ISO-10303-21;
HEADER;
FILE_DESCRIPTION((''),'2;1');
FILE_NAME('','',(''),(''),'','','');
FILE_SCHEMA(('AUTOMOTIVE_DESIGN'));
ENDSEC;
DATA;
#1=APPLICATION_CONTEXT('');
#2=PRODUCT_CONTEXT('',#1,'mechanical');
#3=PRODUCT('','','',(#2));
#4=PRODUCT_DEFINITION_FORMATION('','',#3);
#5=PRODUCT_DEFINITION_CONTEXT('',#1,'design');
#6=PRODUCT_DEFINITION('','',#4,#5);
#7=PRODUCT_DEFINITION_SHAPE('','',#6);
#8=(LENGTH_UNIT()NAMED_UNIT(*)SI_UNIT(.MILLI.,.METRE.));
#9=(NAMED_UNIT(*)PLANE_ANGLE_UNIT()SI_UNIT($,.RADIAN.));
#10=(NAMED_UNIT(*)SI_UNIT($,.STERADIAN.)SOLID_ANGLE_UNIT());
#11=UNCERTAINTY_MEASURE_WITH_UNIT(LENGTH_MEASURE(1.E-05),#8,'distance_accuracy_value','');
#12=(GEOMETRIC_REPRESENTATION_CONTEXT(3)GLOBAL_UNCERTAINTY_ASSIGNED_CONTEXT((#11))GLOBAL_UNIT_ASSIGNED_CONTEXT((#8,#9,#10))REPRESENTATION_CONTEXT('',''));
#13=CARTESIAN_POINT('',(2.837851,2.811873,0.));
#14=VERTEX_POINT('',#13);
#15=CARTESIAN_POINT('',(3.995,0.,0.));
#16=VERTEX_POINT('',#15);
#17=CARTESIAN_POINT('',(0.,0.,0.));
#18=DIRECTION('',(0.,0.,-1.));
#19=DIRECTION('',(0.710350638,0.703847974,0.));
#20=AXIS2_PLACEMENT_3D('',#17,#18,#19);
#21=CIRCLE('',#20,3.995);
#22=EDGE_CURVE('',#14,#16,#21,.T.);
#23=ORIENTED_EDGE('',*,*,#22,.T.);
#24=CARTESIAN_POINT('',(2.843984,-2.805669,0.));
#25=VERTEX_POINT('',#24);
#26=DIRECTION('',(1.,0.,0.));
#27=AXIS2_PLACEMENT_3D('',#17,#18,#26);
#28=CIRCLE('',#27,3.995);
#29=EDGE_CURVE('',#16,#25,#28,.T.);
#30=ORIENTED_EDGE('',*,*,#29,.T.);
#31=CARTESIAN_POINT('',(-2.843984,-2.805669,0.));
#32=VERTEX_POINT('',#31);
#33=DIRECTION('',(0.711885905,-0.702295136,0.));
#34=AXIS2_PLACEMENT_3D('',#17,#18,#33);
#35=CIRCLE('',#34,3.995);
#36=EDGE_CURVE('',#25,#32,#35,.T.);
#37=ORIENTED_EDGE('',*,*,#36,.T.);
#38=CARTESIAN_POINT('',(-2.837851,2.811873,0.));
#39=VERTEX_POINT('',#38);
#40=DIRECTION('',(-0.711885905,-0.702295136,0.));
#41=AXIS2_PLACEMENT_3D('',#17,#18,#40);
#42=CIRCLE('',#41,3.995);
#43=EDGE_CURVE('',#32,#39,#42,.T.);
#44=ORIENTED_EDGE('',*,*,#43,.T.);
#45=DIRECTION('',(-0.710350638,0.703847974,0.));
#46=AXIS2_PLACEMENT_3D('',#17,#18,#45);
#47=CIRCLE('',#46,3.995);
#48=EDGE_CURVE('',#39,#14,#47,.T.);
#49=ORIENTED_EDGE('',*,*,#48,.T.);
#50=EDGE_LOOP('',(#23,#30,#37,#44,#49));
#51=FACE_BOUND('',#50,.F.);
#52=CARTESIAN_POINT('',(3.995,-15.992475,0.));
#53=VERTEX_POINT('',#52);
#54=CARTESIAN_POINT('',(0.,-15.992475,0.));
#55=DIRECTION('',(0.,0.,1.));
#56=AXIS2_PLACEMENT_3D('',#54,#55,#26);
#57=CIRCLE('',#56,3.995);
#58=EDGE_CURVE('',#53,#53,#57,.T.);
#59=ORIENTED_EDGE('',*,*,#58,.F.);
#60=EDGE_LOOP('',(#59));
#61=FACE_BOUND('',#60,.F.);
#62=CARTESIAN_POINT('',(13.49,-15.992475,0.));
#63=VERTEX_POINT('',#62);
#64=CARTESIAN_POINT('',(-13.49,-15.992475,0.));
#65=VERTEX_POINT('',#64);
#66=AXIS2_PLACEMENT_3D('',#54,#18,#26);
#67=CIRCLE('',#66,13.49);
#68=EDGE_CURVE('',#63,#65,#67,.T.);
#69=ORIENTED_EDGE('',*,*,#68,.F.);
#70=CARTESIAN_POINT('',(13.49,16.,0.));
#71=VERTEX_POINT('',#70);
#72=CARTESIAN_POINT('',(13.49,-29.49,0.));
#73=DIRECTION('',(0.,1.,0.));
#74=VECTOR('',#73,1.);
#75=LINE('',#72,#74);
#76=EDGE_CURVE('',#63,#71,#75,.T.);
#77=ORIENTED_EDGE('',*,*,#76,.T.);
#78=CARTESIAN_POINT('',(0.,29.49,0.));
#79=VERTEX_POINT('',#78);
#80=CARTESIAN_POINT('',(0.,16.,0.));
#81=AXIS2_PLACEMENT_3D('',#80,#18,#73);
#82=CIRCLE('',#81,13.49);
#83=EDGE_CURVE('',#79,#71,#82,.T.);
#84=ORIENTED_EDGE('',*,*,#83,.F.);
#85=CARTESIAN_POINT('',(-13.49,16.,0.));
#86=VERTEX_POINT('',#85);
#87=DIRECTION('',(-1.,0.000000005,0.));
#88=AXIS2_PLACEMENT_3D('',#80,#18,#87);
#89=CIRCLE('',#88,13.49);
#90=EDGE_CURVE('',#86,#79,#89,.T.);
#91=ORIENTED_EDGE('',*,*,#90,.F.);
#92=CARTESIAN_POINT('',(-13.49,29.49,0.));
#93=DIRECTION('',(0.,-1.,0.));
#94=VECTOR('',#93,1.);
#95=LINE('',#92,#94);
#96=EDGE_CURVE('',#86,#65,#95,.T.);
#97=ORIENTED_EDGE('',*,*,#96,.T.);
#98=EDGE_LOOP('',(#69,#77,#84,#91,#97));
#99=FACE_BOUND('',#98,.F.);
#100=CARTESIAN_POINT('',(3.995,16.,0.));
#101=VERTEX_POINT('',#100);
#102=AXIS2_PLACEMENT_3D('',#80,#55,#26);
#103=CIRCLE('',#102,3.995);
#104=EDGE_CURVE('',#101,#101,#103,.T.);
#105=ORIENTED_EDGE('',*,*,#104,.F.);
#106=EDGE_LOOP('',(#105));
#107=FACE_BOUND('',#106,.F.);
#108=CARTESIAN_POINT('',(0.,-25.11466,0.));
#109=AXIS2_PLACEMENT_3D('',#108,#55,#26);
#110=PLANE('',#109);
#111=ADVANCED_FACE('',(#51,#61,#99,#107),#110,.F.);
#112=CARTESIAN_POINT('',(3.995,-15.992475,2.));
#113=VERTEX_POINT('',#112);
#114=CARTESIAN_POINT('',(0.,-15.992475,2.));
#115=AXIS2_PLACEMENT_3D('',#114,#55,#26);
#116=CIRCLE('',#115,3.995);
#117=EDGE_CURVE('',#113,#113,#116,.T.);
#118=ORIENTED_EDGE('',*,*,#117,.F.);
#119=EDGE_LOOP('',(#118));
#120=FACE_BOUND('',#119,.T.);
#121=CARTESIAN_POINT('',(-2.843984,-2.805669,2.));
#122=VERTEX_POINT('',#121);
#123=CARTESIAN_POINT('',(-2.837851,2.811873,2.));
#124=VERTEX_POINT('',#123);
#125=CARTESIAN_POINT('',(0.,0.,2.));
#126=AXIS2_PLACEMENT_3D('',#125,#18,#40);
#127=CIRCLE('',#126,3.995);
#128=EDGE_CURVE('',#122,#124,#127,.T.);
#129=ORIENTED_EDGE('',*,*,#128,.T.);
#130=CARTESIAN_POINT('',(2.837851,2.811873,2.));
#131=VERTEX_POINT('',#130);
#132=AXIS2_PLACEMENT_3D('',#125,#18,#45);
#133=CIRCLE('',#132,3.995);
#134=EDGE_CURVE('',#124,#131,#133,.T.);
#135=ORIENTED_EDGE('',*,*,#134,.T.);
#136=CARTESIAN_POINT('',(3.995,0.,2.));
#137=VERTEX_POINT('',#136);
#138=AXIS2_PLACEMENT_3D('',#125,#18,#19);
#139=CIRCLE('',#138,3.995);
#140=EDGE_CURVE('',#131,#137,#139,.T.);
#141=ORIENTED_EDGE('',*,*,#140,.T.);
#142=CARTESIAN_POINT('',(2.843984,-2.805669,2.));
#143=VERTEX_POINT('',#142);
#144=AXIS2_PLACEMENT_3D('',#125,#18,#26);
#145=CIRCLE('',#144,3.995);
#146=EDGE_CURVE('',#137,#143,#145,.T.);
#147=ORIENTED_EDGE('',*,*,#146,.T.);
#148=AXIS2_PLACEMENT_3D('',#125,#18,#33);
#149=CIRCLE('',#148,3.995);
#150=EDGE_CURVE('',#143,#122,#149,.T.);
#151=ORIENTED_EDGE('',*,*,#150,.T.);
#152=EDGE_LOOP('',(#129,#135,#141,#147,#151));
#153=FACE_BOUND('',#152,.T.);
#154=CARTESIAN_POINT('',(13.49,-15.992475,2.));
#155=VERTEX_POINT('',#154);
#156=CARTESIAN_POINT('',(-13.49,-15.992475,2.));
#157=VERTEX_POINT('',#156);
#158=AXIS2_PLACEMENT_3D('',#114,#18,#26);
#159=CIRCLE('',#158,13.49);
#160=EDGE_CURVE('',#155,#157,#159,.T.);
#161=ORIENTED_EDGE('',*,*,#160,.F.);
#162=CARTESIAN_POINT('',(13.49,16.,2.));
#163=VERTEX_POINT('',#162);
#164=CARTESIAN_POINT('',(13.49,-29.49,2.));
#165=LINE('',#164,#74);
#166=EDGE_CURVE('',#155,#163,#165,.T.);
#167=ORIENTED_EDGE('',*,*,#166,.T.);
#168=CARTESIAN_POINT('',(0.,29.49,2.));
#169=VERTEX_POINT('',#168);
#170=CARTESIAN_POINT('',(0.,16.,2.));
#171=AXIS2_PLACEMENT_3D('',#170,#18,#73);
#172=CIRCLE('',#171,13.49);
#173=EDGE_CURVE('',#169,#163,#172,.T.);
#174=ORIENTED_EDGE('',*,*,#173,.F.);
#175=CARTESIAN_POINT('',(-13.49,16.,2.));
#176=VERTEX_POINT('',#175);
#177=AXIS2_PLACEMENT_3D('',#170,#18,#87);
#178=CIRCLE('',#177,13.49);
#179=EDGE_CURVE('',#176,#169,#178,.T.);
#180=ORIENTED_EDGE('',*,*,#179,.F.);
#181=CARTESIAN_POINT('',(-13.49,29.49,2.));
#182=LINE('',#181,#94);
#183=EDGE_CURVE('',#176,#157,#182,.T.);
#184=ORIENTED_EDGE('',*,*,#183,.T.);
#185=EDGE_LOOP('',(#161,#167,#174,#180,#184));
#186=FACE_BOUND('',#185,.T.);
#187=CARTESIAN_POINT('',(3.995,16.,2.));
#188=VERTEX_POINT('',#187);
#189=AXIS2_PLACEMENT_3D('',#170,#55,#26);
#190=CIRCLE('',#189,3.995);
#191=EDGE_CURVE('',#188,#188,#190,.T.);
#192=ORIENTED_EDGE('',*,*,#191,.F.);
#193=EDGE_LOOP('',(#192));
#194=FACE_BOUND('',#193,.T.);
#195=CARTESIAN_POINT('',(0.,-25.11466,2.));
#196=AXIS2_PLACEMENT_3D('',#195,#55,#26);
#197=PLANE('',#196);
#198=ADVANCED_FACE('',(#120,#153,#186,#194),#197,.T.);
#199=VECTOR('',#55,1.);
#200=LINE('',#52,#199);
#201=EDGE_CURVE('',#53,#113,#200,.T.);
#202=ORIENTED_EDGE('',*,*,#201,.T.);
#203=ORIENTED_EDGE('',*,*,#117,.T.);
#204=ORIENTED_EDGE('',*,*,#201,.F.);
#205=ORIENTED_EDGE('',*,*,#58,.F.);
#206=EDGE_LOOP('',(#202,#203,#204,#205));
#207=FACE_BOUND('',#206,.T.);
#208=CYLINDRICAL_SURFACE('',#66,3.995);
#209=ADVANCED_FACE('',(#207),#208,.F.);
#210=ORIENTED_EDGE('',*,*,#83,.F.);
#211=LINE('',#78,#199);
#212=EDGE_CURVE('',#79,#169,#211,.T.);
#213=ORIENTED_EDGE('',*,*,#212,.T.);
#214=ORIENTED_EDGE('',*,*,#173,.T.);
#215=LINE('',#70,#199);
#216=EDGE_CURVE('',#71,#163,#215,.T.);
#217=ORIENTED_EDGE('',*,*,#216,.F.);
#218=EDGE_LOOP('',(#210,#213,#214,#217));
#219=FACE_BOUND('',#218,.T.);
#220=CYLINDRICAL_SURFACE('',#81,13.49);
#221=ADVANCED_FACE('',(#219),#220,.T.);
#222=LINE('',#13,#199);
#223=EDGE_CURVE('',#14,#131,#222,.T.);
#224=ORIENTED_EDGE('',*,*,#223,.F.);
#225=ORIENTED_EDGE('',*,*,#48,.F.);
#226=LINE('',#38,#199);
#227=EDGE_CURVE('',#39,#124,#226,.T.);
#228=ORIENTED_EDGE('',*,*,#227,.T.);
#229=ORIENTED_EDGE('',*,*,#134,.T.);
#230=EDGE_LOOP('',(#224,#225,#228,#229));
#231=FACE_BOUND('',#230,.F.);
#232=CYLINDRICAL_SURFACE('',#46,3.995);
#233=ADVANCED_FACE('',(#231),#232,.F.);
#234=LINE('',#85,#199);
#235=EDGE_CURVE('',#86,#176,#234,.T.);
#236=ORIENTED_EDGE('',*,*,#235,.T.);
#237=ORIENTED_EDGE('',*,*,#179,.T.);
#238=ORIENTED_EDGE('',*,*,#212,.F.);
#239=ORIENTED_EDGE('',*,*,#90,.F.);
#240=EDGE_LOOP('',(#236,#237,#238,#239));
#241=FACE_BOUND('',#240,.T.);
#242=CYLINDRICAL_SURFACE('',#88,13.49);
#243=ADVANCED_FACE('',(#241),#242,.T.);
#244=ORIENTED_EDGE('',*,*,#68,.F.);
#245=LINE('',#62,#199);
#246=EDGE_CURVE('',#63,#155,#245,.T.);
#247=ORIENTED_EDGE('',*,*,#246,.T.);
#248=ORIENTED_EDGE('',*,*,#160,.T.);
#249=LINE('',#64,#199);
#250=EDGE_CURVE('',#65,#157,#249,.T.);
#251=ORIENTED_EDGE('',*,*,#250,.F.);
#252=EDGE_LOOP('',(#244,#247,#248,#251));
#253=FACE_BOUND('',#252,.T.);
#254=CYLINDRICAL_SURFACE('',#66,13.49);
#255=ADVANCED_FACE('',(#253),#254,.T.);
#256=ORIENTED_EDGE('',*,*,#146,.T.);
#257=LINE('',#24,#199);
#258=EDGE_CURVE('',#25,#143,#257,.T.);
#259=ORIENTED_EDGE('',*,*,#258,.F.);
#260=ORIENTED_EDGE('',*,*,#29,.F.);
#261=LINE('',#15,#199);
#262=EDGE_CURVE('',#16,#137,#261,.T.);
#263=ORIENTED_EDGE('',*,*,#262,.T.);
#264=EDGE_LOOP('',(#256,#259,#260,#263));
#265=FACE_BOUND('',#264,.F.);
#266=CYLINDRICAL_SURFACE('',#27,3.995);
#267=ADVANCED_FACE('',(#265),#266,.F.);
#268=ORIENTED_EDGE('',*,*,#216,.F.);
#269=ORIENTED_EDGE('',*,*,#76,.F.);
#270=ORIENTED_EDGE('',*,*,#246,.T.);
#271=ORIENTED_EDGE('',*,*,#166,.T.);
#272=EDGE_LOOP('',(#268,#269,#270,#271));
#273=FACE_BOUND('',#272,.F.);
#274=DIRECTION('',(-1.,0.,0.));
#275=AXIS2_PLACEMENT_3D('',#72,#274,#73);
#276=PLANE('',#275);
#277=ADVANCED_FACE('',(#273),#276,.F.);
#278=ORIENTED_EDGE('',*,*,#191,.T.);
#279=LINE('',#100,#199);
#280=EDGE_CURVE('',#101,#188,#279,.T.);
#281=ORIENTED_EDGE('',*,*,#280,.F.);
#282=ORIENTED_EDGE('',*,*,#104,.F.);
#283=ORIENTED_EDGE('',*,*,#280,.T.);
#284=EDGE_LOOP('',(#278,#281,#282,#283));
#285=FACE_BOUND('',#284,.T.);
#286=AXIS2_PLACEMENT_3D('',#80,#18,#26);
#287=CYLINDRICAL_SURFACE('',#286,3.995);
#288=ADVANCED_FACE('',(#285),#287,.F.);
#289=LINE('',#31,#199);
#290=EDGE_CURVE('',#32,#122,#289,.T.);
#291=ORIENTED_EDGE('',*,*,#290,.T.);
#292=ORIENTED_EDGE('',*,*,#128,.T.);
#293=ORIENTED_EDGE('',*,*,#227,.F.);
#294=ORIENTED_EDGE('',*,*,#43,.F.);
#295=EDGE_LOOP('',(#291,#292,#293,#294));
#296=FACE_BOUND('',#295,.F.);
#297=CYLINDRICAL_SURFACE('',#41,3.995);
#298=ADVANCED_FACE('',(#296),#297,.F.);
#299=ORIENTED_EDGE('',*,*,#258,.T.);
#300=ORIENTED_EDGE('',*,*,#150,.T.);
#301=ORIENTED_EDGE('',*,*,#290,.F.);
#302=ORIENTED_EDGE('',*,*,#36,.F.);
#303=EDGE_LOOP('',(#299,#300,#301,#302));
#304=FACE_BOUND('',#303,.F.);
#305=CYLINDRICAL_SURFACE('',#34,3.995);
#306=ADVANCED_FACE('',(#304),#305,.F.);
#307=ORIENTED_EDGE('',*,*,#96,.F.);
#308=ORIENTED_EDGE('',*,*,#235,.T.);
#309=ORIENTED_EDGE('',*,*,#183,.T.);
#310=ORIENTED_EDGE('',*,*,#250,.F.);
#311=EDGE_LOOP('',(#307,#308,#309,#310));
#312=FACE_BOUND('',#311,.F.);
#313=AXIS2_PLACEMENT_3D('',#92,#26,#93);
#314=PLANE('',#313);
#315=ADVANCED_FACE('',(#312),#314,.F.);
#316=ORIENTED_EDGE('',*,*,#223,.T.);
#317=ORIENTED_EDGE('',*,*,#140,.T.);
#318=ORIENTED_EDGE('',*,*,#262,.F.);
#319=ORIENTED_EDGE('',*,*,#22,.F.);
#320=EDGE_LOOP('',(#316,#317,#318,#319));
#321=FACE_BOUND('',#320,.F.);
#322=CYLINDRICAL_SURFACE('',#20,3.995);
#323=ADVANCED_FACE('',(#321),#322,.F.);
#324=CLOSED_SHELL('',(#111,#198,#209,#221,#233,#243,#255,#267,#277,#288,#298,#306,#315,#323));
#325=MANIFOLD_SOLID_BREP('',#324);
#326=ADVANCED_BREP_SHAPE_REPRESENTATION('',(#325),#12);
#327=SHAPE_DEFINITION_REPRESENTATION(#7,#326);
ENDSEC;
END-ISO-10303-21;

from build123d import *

# Parameters (mm, degrees)
F0_R     = 3.995
F1_DEPTH = 2
F2_DEPTH = 25


with BuildPart() as f1:
    # F0 (on Top) → F1 (new body)
    with BuildSketch(Plane.XY):
        with BuildLine():
            Line((-13.49, -29.49), (13.49, -29.49))
            Line((13.49, -29.49), (13.49, -15.9924751222))
            ThreePointArc((13.49, -15.9924751222), (0, -29.4824751222), (-13.49, -15.9924751222))
            Line((-13.49, -15.9924751222), (-13.49, -29.49))
        make_face()
        with BuildLine():
            ThreePointArc((2.8439841916, -2.8056690678), (10.4963195156, -7.5185517908), (13.49, -15.9924751222))
            Line((13.49, -15.9924751222), (13.49, 16))
            ThreePointArc((13.49, 16), (10.4943486529, 7.5236360182), (2.8378508003, 2.8118726562))
            ThreePointArc((2.8378508003, 2.8118726563), (3.6944038049, 1.5203307293), (3.995, 0))
            ThreePointArc((3.995, 0), (3.6960615421, -1.5162961707), (2.8439841916, -2.8056690678))
        make_face()
        with BuildLine():
            ThreePointArc((-13.49, -15.9924751222), (0, -29.4824751222), (13.49, -15.9924751222))
            ThreePointArc((13.49, -15.9924751222), (10.4963195156, -7.5185517908), (2.8439841916, -2.8056690678))
            ThreePointArc((2.8439841916, -2.8056690678), (0, -3.995), (-2.8439841916, -2.8056690678))
            ThreePointArc((-2.8439841916, -2.8056690678), (-10.4963195156, -7.5185517908), (-13.49, -15.9924751222))
        make_face()
        with Locations((0, -15.9924751222)):
            Circle(F0_R, mode=Mode.SUBTRACT)
        with BuildLine():
            Line((-13.49, 16.000000062), (-13.49, -15.9924751222))
            ThreePointArc((-13.49, -15.9924751222), (-10.4963195156, -7.5185517908), (-2.8439841916, -2.8056690678))
            ThreePointArc((-2.8439841916, -2.8056690678), (-3.9949976188, 0.0043618516), (-2.8378508003, 2.8118726563))
            ThreePointArc((-2.8378508003, 2.8118726562), (-10.4943486724, 7.5236360423), (-13.49, 16.000000062))
        make_face()
        with BuildLine():
            ThreePointArc((0, 29.49), (9.5388704782, 25.5388704782), (13.49, 16))
            Line((13.49, 16), (13.49, 29.49))
            Line((13.49, 29.49), (0, 29.49))
        make_face()
        with BuildLine():
            ThreePointArc((2.8378508003, 2.8118726562), (10.4943486529, 7.5236360182), (13.49, 16))
            ThreePointArc((13.49, 16), (9.5388704782, 25.5388704782), (0, 29.49))
            ThreePointArc((0, 29.49), (-9.5388704563, 25.5388705001), (-13.49, 16.000000062))
            ThreePointArc((-13.49, 16.000000062), (-10.4943486724, 7.5236360423), (-2.8378508003, 2.8118726562))
            ThreePointArc((-2.8378508003, 2.8118726563), (0, 3.995), (2.8378508003, 2.8118726563))
        make_face()
        with Locations((0, 16)):
            Circle(F0_R, mode=Mode.SUBTRACT)
        with BuildLine():
            Line((-13.49, 29.49), (-13.49, 16.000000062))
            ThreePointArc((-13.49, 16.000000062), (-9.5388704563, 25.5388705001), (0, 29.49))
            Line((0, 29.49), (-13.49, 29.49))
        make_face()
    extrude(amount=F1_DEPTH)

    # F0 (on Top) → F2 (cut)
    with BuildSketch(Plane.XY):
        with BuildLine():
            ThreePointArc((0, 29.49), (9.5388704782, 25.5388704782), (13.49, 16))
            Line((13.49, 16), (13.49, 29.49))
            Line((13.49, 29.49), (0, 29.49))
        make_face()
        with BuildLine():
            Line((-13.49, -29.49), (13.49, -29.49))
            Line((13.49, -29.49), (13.49, -15.9924751222))
            ThreePointArc((13.49, -15.9924751222), (0, -29.4824751222), (-13.49, -15.9924751222))
            Line((-13.49, -15.9924751222), (-13.49, -29.49))
        make_face()
        with BuildLine():
            Line((-13.49, 29.49), (-13.49, 16.000000062))
            ThreePointArc((-13.49, 16.000000062), (-9.5388704563, 25.5388705001), (0, 29.49))
            Line((0, 29.49), (-13.49, 29.49))
        make_face()
    extrude(amount=F2_DEPTH, mode=Mode.SUBTRACT)


solid = f1.part
